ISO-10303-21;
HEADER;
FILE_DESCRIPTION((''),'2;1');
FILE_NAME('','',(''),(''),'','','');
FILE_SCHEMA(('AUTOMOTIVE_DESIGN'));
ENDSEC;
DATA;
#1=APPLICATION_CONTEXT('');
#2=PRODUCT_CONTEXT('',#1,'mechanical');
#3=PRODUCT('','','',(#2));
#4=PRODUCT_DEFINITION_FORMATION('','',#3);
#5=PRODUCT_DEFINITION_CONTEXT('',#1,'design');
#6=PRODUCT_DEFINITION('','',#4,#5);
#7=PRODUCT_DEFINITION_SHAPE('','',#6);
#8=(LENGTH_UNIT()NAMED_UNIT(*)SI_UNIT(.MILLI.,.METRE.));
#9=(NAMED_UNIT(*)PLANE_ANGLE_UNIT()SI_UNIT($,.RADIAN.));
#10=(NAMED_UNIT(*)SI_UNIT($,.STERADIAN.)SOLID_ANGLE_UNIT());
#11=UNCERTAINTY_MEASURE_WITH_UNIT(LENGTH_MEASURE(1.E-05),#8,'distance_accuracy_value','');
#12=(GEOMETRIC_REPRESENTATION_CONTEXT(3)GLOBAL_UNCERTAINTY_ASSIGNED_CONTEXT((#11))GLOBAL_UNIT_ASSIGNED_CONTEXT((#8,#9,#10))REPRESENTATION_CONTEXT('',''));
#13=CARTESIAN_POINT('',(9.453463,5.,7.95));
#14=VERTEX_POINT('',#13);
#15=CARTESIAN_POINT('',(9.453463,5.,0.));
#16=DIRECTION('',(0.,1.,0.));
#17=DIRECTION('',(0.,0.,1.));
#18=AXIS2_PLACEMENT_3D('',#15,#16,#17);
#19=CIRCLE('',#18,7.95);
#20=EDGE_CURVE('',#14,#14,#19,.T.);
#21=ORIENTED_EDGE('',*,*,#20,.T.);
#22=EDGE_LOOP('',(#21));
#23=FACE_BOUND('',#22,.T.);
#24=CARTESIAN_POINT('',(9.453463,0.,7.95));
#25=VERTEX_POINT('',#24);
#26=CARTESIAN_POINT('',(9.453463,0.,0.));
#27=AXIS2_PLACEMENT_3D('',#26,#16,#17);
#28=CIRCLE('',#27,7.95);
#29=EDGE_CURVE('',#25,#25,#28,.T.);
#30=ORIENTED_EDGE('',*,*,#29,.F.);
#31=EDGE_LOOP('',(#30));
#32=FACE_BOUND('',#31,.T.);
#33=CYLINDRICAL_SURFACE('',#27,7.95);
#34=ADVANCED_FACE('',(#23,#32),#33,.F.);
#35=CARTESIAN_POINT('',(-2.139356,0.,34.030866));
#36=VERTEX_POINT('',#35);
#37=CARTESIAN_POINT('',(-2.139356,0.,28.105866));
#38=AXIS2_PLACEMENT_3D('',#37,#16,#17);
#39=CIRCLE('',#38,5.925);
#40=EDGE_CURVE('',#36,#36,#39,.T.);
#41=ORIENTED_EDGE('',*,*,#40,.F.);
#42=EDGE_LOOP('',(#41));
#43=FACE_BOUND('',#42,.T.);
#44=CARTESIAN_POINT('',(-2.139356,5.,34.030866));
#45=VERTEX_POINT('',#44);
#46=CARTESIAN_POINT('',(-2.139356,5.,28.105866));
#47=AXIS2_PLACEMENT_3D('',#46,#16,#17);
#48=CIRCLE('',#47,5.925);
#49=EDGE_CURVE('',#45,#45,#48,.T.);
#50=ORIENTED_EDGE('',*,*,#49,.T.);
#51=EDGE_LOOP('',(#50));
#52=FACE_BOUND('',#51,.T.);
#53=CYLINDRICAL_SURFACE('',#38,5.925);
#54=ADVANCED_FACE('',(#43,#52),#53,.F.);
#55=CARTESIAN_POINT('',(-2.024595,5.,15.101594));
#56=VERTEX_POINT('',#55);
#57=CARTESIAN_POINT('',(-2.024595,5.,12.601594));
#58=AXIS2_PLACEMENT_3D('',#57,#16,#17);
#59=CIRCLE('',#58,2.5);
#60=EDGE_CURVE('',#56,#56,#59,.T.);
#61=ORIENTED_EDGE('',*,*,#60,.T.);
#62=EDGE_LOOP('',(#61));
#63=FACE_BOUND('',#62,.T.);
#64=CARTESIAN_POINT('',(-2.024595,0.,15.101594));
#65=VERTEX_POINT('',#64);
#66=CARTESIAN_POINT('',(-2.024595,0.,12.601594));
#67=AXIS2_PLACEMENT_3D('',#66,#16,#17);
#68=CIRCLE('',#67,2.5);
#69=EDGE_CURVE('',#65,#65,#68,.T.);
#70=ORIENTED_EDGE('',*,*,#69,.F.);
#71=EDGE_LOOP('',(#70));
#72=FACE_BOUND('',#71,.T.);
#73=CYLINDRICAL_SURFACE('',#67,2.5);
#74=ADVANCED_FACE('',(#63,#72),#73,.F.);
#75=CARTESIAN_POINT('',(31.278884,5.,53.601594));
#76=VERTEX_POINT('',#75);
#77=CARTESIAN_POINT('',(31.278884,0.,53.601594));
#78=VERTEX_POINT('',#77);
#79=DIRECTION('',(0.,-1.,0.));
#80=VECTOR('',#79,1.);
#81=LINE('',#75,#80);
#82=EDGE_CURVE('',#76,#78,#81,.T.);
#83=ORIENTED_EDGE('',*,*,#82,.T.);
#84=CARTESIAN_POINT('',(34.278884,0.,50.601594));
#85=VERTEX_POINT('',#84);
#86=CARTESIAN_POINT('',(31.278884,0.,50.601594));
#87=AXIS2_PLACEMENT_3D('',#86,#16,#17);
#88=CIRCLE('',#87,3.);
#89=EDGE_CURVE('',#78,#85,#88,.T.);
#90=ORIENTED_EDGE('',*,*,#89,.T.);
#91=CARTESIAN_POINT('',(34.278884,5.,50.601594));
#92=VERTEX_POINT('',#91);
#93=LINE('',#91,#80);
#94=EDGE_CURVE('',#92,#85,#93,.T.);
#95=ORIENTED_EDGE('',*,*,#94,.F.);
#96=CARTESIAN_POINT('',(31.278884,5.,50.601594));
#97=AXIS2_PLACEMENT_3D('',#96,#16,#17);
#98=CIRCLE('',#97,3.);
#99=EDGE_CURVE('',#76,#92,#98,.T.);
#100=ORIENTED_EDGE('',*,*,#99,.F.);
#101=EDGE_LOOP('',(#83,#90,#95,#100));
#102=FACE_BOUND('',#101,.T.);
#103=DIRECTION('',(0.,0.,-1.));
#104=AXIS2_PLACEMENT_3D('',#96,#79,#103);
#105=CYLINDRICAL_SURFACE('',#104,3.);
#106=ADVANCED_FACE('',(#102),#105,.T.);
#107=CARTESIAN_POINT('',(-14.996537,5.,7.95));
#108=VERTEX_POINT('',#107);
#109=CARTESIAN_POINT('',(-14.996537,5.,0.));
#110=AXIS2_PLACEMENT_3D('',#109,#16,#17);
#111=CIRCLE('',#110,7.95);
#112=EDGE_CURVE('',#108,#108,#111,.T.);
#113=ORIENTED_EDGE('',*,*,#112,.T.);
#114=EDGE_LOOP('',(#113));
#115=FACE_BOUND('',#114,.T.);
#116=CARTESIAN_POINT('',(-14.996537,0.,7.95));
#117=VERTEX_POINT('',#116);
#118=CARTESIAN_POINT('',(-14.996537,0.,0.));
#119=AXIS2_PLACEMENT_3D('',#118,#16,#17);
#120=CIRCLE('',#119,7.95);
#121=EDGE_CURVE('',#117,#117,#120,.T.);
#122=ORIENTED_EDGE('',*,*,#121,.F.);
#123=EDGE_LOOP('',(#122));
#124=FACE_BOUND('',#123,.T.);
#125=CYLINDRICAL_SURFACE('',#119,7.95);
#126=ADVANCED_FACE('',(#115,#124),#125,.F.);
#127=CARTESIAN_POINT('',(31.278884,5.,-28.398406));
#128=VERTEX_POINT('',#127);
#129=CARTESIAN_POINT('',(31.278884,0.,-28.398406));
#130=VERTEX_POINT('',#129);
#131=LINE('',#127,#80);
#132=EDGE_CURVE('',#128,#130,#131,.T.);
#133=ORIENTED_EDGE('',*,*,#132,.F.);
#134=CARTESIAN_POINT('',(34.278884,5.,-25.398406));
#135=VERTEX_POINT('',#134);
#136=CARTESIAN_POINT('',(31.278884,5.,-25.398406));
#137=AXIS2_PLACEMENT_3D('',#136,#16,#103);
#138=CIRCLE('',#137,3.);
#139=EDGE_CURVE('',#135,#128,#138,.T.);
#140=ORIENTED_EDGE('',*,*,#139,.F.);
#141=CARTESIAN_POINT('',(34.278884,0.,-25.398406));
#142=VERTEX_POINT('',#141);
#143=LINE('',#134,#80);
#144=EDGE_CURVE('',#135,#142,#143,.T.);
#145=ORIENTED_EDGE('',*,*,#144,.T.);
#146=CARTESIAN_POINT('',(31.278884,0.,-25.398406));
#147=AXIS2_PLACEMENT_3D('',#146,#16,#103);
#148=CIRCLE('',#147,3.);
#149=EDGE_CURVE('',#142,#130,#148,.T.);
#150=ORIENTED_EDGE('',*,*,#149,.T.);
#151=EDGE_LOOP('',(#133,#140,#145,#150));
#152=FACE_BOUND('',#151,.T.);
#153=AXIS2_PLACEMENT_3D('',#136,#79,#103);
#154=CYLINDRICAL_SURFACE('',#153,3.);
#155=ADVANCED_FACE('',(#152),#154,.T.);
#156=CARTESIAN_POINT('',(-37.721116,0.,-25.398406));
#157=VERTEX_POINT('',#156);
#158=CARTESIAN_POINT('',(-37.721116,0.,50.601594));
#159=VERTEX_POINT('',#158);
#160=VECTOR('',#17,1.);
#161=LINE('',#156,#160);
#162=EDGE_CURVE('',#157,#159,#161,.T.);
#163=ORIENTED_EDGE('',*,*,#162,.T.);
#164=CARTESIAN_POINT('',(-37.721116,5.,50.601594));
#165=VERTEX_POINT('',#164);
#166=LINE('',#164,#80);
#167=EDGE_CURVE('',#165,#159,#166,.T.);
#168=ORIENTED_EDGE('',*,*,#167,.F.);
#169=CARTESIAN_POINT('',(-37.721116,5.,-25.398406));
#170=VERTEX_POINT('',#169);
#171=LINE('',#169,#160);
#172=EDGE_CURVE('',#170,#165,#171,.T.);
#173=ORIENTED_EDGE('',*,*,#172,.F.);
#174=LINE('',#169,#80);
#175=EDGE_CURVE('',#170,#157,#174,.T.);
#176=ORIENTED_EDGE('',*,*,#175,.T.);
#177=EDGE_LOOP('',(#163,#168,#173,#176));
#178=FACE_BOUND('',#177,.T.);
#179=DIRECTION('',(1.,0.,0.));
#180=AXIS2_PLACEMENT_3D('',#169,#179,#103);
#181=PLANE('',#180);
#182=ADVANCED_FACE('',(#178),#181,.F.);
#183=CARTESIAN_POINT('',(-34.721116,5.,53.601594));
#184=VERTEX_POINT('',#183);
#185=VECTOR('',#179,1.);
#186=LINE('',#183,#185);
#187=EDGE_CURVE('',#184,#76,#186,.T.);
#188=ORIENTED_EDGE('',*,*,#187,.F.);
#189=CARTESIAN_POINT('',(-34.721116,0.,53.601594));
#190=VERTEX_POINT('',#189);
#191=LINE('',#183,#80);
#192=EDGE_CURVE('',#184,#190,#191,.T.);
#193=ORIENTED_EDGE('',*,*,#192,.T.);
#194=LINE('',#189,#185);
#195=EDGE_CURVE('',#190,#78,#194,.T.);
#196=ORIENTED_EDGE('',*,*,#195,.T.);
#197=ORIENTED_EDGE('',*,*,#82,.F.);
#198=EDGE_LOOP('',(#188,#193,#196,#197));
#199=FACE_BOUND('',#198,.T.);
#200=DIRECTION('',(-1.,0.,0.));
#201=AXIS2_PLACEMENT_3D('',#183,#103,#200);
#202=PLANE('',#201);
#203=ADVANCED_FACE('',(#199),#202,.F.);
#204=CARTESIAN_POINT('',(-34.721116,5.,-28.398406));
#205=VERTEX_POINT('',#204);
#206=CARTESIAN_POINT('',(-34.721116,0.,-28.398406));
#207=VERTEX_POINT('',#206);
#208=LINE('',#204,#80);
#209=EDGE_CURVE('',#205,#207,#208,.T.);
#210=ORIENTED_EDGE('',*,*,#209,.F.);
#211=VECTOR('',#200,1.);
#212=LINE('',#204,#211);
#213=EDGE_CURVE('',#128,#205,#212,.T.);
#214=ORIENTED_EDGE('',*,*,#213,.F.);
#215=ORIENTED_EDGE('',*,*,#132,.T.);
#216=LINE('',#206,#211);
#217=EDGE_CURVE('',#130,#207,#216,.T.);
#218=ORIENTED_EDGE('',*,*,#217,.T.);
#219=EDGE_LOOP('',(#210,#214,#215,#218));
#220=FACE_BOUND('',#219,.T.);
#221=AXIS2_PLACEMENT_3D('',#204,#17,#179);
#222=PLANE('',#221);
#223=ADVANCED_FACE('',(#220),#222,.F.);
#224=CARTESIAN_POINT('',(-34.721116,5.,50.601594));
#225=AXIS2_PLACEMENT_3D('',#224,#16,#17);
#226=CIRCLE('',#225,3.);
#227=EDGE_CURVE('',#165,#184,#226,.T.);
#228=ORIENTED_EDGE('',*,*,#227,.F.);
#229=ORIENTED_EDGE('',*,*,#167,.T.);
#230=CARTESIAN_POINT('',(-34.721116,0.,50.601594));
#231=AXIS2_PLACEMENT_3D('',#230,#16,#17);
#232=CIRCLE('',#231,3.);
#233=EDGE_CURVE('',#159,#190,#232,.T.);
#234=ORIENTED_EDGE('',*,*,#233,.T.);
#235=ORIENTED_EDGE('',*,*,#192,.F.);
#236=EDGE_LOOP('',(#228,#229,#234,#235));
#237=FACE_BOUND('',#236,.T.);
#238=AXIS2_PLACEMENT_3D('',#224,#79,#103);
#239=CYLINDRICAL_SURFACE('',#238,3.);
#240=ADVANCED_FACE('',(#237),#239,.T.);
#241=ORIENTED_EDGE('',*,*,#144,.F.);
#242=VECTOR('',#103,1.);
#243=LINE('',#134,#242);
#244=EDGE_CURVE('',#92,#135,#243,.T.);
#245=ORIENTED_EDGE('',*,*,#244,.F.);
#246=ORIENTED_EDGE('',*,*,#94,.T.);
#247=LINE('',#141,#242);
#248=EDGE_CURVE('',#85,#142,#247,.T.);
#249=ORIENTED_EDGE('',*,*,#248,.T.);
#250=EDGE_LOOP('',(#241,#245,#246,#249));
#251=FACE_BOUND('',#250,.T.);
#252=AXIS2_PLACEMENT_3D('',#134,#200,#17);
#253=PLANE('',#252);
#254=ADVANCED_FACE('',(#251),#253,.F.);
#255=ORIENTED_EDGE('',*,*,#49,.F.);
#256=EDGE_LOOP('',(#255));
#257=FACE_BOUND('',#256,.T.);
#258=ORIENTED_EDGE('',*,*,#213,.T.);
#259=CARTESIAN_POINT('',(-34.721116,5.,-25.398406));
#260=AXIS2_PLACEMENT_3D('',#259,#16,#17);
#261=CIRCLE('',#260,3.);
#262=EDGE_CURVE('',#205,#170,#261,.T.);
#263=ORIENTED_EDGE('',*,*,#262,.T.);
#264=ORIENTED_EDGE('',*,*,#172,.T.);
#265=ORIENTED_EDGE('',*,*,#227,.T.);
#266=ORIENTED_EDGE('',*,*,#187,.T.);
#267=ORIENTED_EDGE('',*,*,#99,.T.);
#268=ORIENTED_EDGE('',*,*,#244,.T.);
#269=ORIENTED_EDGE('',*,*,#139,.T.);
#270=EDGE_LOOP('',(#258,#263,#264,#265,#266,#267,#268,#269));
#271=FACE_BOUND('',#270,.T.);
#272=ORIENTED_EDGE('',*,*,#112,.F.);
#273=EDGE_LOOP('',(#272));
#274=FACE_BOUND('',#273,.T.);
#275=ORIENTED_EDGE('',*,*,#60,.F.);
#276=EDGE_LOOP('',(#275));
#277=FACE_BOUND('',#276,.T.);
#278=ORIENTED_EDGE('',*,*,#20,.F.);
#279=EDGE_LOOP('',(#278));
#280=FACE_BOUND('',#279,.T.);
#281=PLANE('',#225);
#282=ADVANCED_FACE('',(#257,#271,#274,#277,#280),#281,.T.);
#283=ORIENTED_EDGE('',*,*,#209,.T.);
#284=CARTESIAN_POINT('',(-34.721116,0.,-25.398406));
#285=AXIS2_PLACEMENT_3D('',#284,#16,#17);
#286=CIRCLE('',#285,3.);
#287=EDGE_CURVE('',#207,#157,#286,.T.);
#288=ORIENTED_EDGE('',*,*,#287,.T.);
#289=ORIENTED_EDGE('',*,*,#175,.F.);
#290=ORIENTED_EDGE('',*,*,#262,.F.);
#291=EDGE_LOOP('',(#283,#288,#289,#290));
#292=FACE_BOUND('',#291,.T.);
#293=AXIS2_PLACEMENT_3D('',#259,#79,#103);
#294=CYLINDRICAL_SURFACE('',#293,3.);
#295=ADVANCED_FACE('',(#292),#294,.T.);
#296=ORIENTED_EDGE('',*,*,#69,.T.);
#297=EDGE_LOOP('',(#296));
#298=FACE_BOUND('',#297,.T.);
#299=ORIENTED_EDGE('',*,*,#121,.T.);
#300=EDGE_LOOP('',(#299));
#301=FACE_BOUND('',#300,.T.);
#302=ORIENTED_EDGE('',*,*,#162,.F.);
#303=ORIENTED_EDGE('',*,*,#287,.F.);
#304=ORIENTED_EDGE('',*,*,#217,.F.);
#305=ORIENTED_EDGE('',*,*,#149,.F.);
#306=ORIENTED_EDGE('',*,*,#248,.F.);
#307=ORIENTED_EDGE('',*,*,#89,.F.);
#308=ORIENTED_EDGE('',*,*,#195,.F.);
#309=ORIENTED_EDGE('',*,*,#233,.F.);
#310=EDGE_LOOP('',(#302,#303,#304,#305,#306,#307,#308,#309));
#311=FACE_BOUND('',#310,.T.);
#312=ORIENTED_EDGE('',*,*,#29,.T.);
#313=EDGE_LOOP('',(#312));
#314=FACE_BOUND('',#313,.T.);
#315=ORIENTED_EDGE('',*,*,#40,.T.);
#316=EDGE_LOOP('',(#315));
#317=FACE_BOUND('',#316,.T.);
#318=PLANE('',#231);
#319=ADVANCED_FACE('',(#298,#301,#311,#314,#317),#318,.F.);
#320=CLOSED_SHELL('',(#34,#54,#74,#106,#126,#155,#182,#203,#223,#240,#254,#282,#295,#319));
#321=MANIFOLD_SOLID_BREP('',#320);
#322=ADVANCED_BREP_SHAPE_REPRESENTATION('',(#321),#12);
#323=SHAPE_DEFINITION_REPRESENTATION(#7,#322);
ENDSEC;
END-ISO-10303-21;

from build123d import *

# Parameters (mm, degrees)
BOSS_EXTRUDE1_DEPTH = 5
SKETCH2_R           = 7.95
CUT_EXTRUDE3_DEPTH  = 5
SKETCH4_R           = 2.5
SKETCH4_R_2         = 5.925
CUT_EXTRUDE4_DEPTH  = 5


with BuildPart() as part:
    # Sketch1 → Boss-Extrude1 (new body)
    with BuildSketch(Plane(origin=(0, 0, 0), x_dir=(1, 0, 0), z_dir=(0, 1, 0))):
        with BuildLine():
            Line((-34.721115538, 28.398406375), (31.278884462, 28.398406375))
            ThreePointArc((31.278884462, 28.398406375), (33.400204806, 27.519726718), (34.278884462, 25.398406375))
            Line((34.278884462, 25.398406375), (34.278884462, -50.601593625))
            ThreePointArc((34.278884462, -50.601593625), (33.400204806, -52.722913969), (31.278884462, -53.601593625))
            Line((31.278884462, -53.601593625), (-34.721115538, -53.601593625))
            ThreePointArc((-34.721115538, -53.601593625), (-36.842435881, -52.722913969), (-37.721115538, -50.601593625))
            Line((-37.721115538, -50.601593625), (-37.721115538, 25.398406375))
            ThreePointArc((-37.721115538, 25.398406375), (-36.842435881, 27.519726718), (-34.721115538, 28.398406375))
        make_face()
    extrude(amount=BOSS_EXTRUDE1_DEPTH)

    # Sketch2 → Cut-Extrude3 (cut)
    with BuildSketch(Plane(origin=(0, 5, 0), x_dir=(1, 0, 0), z_dir=(0, 1, 0))):
        with Locations(Location((-14.996537264, 0, 0), (0, 0, 270))):
            Circle(SKETCH2_R)
        with Locations(Location((9.453462736, 0, 0), (0, 0, 270))):
            Circle(SKETCH2_R)
    extrude(amount=-CUT_EXTRUDE3_DEPTH, mode=Mode.SUBTRACT)

    # Sketch4 → Cut-Extrude4 (cut)
    with BuildSketch(Plane(origin=(0, 5, 0), x_dir=(1, 0, 0), z_dir=(0, 1, 0))):
        with Locations(Location((-2.024594695, -12.601593625, 0), (0, 0, 270))):
            Circle(SKETCH4_R)
        with Locations(Location((-2.139356247, -28.105866385, 0), (0, 0, 270))):
            Circle(SKETCH4_R_2)
    extrude(amount=-CUT_EXTRUDE4_DEPTH, mode=Mode.SUBTRACT)


solid = part.part
